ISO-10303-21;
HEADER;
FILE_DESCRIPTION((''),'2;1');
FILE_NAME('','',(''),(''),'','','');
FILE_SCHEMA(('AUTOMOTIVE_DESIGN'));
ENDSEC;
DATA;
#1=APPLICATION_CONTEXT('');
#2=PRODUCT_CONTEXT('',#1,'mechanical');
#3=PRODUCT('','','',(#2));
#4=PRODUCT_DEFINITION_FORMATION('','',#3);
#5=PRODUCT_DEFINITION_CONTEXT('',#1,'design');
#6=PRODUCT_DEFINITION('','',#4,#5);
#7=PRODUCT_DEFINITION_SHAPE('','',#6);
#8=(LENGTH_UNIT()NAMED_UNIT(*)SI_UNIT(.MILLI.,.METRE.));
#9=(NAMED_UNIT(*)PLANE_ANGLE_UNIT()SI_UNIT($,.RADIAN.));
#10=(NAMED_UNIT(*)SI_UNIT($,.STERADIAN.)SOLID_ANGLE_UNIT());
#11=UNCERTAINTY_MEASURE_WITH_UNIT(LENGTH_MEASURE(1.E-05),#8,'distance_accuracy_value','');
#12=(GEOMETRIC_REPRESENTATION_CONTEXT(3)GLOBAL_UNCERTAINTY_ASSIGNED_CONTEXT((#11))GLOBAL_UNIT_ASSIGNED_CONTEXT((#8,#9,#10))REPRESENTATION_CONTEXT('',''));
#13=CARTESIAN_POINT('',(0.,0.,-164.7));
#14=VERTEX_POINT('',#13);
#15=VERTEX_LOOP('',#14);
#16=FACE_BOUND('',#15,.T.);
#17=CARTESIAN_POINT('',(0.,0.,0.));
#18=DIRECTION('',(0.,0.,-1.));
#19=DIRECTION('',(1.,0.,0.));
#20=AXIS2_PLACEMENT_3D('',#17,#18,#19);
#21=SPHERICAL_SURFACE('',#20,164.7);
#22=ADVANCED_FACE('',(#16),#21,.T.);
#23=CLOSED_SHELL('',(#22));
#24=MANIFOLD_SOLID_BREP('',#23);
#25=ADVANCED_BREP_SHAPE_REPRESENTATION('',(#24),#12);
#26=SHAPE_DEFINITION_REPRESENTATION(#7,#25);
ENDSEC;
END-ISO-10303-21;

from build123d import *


with BuildPart() as part:
    # Sketch1 → Revolve1 (revolve)
    with BuildSketch(Plane(origin=(0, 0, 0), x_dir=(1, 0, 0), z_dir=(0, 1, 0))):
        with BuildLine():
            Line((0, 164.7), (0, -164.7))
            ThreePointArc((0, -164.7), (164.7, 0), (0, 164.7))
        make_face()
    revolve(axis=Axis((0, 0, -164.7), (0, 0, 1)))


solid = part.part
